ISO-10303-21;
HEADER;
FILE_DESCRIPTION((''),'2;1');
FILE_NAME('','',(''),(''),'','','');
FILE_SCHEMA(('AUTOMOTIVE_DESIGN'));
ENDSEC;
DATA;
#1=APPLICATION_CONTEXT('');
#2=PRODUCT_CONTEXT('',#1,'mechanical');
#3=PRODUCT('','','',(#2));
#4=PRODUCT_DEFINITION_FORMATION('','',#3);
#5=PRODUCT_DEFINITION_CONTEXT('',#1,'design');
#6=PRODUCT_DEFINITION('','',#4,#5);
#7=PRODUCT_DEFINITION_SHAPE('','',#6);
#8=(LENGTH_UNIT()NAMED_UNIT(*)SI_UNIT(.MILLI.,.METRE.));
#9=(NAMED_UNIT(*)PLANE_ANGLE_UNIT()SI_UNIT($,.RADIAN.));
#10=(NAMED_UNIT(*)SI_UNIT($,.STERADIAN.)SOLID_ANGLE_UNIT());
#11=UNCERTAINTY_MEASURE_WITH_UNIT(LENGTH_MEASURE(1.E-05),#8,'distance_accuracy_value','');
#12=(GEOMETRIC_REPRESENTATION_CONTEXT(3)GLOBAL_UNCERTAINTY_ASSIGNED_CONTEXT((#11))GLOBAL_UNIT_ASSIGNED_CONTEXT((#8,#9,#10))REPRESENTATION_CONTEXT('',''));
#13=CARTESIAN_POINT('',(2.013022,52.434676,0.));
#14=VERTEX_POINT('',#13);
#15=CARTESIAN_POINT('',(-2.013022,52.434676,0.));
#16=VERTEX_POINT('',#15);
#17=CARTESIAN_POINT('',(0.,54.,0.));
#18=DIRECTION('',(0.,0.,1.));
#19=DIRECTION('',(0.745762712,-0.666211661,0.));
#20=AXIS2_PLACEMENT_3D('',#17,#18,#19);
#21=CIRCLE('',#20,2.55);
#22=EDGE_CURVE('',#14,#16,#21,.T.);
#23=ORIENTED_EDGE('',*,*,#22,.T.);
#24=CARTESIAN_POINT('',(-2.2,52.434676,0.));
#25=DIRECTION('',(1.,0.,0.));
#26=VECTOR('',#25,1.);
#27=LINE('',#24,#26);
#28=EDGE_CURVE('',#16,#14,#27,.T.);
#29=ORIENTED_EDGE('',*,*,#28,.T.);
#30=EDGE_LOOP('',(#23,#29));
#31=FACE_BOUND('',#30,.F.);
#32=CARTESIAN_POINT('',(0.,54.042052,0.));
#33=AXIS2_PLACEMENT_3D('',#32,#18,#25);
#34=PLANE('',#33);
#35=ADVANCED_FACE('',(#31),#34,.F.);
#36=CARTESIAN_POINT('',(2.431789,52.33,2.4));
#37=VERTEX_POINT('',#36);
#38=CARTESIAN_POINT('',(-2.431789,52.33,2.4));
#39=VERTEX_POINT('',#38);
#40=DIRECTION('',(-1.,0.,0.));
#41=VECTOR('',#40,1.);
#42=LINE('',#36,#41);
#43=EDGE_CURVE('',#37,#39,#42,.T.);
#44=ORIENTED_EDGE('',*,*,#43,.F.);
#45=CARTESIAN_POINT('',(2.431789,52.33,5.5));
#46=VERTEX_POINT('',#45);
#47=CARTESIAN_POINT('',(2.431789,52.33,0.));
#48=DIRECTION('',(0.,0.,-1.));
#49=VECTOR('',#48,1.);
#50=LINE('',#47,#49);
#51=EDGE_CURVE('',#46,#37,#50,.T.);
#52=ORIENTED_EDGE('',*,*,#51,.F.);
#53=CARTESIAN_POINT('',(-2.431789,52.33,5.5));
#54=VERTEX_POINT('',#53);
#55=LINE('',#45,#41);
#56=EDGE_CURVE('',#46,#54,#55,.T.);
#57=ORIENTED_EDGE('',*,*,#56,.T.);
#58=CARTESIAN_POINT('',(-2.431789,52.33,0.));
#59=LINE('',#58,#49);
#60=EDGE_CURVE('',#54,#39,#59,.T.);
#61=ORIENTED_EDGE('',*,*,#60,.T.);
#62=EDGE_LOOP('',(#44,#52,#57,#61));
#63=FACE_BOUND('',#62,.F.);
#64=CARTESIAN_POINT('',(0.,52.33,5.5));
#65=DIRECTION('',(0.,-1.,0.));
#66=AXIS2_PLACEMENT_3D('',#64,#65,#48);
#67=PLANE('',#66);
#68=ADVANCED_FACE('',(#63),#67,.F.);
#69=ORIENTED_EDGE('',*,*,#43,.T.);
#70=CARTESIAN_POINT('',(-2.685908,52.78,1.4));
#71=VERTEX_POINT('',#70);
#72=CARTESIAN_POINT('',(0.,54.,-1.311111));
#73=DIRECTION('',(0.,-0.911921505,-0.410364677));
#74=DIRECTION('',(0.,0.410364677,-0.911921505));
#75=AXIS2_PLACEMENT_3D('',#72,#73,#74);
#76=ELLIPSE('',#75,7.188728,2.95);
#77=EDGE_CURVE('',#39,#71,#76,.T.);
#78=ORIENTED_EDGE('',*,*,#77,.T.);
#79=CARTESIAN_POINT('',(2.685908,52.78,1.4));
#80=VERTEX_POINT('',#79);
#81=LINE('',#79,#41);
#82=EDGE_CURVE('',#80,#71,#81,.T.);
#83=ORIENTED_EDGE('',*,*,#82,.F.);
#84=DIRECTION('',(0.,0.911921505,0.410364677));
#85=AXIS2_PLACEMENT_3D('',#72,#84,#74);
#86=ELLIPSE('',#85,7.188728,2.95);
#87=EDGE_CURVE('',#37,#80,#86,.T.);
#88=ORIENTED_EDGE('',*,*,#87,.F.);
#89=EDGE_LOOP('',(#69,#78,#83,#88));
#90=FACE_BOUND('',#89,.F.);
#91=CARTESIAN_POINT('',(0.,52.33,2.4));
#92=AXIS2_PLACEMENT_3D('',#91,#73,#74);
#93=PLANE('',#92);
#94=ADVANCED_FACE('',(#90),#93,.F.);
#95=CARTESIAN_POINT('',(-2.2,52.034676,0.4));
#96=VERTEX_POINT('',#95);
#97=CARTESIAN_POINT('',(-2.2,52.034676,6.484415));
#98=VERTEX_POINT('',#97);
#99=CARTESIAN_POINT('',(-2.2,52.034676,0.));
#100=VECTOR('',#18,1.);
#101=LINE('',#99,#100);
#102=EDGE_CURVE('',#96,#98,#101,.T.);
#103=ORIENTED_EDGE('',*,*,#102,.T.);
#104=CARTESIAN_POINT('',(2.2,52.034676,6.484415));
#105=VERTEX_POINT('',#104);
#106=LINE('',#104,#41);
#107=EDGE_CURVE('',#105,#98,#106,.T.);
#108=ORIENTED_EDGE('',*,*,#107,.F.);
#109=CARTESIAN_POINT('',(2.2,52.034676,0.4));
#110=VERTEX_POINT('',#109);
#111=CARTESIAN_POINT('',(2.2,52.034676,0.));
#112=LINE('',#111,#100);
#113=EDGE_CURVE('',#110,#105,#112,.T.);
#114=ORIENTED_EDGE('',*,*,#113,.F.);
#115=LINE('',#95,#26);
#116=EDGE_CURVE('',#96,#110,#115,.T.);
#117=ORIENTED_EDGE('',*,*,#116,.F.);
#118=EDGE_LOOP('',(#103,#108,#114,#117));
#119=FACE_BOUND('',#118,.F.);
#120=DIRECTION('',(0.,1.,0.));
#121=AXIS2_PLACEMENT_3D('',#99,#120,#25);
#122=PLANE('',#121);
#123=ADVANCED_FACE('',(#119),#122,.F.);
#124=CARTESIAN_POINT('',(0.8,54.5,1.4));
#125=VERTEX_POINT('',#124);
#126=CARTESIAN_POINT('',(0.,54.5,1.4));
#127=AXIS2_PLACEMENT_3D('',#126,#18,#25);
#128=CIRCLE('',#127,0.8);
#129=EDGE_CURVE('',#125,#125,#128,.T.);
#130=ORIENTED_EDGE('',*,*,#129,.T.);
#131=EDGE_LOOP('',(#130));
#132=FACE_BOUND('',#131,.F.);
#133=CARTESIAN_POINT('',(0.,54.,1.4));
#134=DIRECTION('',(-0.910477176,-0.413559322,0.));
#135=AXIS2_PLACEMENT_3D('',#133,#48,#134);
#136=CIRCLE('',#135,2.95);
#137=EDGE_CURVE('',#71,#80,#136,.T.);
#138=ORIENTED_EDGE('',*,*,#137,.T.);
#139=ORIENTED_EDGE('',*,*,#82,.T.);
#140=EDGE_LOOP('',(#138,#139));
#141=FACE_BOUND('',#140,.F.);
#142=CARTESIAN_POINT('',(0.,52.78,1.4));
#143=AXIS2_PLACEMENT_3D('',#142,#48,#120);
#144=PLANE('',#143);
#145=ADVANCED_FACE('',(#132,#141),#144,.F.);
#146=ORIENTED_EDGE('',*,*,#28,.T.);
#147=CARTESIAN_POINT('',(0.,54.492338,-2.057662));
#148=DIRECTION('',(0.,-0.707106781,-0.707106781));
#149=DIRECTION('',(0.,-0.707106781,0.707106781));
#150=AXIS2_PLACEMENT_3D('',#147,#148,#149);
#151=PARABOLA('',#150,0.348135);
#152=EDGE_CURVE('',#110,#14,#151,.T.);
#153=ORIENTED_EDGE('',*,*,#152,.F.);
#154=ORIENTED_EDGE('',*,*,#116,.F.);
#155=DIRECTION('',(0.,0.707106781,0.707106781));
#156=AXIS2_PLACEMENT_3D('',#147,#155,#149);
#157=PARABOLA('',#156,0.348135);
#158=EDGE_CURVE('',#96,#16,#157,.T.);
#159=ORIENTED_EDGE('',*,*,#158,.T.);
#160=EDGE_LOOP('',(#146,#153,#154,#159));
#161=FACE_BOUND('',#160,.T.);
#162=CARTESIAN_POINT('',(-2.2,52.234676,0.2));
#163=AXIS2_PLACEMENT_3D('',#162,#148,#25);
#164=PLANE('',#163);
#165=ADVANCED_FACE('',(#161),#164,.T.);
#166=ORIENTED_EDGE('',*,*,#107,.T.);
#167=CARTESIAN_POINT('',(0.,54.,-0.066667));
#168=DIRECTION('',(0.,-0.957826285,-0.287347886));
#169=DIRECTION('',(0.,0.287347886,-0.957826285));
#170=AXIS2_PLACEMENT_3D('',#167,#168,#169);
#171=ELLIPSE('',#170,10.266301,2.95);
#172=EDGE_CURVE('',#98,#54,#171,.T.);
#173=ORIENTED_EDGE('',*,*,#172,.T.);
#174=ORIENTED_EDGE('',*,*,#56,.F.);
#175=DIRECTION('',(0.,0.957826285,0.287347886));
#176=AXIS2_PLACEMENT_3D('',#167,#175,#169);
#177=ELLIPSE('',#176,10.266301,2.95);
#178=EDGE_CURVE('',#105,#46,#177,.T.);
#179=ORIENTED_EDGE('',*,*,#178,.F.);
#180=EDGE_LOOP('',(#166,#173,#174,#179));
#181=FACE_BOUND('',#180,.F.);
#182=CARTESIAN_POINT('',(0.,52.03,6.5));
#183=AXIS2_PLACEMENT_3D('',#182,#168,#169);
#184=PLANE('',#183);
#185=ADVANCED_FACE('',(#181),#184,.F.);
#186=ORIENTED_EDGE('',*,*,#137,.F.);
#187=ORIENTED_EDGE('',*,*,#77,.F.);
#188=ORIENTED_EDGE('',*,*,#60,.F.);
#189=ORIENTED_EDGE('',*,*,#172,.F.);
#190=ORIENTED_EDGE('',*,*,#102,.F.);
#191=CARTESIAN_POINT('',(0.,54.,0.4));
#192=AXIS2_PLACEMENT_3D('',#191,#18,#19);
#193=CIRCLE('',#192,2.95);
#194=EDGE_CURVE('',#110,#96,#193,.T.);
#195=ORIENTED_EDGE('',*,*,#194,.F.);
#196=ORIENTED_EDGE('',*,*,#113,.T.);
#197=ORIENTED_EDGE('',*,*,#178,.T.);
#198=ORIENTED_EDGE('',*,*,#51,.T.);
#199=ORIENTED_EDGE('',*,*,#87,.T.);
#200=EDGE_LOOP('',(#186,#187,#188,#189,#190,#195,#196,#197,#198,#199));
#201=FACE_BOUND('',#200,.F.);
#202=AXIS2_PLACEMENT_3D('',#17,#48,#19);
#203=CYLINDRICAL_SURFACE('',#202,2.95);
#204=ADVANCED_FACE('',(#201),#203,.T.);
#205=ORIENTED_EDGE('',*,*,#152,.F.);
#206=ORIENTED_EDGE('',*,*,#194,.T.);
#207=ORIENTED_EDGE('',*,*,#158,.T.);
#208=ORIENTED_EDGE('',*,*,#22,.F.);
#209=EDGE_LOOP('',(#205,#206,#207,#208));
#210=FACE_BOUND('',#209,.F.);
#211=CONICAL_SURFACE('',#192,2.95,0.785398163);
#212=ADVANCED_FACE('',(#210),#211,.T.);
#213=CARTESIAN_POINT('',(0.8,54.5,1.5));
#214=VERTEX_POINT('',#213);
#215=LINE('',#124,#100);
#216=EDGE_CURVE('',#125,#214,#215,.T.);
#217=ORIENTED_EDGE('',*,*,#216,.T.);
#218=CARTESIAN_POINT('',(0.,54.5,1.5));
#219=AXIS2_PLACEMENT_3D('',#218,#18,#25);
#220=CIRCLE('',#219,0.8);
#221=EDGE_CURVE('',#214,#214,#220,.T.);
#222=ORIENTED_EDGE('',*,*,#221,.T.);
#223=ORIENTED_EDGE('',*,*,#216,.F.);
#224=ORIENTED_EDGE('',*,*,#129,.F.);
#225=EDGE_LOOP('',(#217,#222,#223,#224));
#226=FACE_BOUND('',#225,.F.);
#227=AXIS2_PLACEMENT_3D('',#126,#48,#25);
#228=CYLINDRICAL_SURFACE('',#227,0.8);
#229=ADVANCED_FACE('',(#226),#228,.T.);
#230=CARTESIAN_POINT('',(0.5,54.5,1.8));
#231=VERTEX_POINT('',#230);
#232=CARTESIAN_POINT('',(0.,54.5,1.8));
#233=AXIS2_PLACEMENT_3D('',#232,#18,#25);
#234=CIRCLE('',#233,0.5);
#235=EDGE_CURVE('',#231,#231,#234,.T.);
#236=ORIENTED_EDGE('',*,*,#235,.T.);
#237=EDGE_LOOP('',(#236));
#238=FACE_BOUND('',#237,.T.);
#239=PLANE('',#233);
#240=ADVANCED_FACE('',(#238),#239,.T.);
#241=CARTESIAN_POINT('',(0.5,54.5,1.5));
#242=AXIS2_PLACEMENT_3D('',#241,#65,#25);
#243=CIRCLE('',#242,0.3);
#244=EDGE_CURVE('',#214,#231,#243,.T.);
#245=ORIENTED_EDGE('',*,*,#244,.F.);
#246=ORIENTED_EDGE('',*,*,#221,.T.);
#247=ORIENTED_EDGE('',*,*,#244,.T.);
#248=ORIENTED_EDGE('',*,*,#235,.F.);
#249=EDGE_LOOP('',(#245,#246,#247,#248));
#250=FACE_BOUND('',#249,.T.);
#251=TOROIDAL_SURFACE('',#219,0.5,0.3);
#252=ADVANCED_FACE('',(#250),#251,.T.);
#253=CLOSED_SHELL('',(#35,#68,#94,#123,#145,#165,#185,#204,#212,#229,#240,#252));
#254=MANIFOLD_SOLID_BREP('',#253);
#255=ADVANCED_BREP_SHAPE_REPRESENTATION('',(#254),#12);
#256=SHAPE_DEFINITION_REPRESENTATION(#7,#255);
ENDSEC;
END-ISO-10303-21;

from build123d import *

# Parameters (mm, degrees)
PAD008_DEPTH         = 6.5
POCKET007_DEPTH      = 2.951
POCKET007_DEPTH_BACK = 2.951
SKETCH023_R          = 0.8
PAD009_DEPTH         = 0.4
FILLET001_R          = 0.3
CHAMFER007_SIZE      = 0.4


with BuildPart() as part:
    # Sketch022 → Pad008 (new body)
    with BuildSketch(Plane.XY):
        with BuildLine():
            ThreePointArc((2.2, -1.9653244007), (0, 2.95), (-2.2, -1.9653244007))
            Line((-2.2, -1.9653244007), (2.2, -1.9653244007))
        make_face()
    extrude(amount=PAD008_DEPTH)

    # Sketch024 → Pocket007 (cut, two sides)
    with BuildSketch(Plane.YZ) as pocket007_sk:
        Polygon((-1.97, 6.5), (-1.67, 5.5), (-1.67, 2.4), (-1.22, 1.4), (4, 1.4), (4, 6.5), align=None)
    extrude(amount=-POCKET007_DEPTH, mode=Mode.SUBTRACT)
    extrude(pocket007_sk.sketch, amount=POCKET007_DEPTH_BACK, mode=Mode.SUBTRACT)

    # Sketch023 (on Face7 of Pocket007) → Pad009 (join)
    with BuildSketch(Plane.XY.offset(1.4)):
        with Locations((0, 0.5)):
            Circle(SKETCH023_R)
    extrude(amount=PAD009_DEPTH)

    # Fillet001
    fillet001_edges = [part.edges().sort_by_distance(p)[0] for p in [
        (-0.8, 0.5, 1.8),
    ]]
    fillet(fillet001_edges, radius=FILLET001_R)

    # Chamfer007
    chamfer007_edges = [part.edges().sort_by_distance(p)[0] for p in [
        (0, 2.95, 0),
        (0, -1.965324, 0),
    ]]
    chamfer(chamfer007_edges, length=CHAMFER007_SIZE)


with BuildPart() as part_1:
    # Body089 placement: moved
    add(part.part.moved(Location((0, 54, 0))))


solid = part_1.part
